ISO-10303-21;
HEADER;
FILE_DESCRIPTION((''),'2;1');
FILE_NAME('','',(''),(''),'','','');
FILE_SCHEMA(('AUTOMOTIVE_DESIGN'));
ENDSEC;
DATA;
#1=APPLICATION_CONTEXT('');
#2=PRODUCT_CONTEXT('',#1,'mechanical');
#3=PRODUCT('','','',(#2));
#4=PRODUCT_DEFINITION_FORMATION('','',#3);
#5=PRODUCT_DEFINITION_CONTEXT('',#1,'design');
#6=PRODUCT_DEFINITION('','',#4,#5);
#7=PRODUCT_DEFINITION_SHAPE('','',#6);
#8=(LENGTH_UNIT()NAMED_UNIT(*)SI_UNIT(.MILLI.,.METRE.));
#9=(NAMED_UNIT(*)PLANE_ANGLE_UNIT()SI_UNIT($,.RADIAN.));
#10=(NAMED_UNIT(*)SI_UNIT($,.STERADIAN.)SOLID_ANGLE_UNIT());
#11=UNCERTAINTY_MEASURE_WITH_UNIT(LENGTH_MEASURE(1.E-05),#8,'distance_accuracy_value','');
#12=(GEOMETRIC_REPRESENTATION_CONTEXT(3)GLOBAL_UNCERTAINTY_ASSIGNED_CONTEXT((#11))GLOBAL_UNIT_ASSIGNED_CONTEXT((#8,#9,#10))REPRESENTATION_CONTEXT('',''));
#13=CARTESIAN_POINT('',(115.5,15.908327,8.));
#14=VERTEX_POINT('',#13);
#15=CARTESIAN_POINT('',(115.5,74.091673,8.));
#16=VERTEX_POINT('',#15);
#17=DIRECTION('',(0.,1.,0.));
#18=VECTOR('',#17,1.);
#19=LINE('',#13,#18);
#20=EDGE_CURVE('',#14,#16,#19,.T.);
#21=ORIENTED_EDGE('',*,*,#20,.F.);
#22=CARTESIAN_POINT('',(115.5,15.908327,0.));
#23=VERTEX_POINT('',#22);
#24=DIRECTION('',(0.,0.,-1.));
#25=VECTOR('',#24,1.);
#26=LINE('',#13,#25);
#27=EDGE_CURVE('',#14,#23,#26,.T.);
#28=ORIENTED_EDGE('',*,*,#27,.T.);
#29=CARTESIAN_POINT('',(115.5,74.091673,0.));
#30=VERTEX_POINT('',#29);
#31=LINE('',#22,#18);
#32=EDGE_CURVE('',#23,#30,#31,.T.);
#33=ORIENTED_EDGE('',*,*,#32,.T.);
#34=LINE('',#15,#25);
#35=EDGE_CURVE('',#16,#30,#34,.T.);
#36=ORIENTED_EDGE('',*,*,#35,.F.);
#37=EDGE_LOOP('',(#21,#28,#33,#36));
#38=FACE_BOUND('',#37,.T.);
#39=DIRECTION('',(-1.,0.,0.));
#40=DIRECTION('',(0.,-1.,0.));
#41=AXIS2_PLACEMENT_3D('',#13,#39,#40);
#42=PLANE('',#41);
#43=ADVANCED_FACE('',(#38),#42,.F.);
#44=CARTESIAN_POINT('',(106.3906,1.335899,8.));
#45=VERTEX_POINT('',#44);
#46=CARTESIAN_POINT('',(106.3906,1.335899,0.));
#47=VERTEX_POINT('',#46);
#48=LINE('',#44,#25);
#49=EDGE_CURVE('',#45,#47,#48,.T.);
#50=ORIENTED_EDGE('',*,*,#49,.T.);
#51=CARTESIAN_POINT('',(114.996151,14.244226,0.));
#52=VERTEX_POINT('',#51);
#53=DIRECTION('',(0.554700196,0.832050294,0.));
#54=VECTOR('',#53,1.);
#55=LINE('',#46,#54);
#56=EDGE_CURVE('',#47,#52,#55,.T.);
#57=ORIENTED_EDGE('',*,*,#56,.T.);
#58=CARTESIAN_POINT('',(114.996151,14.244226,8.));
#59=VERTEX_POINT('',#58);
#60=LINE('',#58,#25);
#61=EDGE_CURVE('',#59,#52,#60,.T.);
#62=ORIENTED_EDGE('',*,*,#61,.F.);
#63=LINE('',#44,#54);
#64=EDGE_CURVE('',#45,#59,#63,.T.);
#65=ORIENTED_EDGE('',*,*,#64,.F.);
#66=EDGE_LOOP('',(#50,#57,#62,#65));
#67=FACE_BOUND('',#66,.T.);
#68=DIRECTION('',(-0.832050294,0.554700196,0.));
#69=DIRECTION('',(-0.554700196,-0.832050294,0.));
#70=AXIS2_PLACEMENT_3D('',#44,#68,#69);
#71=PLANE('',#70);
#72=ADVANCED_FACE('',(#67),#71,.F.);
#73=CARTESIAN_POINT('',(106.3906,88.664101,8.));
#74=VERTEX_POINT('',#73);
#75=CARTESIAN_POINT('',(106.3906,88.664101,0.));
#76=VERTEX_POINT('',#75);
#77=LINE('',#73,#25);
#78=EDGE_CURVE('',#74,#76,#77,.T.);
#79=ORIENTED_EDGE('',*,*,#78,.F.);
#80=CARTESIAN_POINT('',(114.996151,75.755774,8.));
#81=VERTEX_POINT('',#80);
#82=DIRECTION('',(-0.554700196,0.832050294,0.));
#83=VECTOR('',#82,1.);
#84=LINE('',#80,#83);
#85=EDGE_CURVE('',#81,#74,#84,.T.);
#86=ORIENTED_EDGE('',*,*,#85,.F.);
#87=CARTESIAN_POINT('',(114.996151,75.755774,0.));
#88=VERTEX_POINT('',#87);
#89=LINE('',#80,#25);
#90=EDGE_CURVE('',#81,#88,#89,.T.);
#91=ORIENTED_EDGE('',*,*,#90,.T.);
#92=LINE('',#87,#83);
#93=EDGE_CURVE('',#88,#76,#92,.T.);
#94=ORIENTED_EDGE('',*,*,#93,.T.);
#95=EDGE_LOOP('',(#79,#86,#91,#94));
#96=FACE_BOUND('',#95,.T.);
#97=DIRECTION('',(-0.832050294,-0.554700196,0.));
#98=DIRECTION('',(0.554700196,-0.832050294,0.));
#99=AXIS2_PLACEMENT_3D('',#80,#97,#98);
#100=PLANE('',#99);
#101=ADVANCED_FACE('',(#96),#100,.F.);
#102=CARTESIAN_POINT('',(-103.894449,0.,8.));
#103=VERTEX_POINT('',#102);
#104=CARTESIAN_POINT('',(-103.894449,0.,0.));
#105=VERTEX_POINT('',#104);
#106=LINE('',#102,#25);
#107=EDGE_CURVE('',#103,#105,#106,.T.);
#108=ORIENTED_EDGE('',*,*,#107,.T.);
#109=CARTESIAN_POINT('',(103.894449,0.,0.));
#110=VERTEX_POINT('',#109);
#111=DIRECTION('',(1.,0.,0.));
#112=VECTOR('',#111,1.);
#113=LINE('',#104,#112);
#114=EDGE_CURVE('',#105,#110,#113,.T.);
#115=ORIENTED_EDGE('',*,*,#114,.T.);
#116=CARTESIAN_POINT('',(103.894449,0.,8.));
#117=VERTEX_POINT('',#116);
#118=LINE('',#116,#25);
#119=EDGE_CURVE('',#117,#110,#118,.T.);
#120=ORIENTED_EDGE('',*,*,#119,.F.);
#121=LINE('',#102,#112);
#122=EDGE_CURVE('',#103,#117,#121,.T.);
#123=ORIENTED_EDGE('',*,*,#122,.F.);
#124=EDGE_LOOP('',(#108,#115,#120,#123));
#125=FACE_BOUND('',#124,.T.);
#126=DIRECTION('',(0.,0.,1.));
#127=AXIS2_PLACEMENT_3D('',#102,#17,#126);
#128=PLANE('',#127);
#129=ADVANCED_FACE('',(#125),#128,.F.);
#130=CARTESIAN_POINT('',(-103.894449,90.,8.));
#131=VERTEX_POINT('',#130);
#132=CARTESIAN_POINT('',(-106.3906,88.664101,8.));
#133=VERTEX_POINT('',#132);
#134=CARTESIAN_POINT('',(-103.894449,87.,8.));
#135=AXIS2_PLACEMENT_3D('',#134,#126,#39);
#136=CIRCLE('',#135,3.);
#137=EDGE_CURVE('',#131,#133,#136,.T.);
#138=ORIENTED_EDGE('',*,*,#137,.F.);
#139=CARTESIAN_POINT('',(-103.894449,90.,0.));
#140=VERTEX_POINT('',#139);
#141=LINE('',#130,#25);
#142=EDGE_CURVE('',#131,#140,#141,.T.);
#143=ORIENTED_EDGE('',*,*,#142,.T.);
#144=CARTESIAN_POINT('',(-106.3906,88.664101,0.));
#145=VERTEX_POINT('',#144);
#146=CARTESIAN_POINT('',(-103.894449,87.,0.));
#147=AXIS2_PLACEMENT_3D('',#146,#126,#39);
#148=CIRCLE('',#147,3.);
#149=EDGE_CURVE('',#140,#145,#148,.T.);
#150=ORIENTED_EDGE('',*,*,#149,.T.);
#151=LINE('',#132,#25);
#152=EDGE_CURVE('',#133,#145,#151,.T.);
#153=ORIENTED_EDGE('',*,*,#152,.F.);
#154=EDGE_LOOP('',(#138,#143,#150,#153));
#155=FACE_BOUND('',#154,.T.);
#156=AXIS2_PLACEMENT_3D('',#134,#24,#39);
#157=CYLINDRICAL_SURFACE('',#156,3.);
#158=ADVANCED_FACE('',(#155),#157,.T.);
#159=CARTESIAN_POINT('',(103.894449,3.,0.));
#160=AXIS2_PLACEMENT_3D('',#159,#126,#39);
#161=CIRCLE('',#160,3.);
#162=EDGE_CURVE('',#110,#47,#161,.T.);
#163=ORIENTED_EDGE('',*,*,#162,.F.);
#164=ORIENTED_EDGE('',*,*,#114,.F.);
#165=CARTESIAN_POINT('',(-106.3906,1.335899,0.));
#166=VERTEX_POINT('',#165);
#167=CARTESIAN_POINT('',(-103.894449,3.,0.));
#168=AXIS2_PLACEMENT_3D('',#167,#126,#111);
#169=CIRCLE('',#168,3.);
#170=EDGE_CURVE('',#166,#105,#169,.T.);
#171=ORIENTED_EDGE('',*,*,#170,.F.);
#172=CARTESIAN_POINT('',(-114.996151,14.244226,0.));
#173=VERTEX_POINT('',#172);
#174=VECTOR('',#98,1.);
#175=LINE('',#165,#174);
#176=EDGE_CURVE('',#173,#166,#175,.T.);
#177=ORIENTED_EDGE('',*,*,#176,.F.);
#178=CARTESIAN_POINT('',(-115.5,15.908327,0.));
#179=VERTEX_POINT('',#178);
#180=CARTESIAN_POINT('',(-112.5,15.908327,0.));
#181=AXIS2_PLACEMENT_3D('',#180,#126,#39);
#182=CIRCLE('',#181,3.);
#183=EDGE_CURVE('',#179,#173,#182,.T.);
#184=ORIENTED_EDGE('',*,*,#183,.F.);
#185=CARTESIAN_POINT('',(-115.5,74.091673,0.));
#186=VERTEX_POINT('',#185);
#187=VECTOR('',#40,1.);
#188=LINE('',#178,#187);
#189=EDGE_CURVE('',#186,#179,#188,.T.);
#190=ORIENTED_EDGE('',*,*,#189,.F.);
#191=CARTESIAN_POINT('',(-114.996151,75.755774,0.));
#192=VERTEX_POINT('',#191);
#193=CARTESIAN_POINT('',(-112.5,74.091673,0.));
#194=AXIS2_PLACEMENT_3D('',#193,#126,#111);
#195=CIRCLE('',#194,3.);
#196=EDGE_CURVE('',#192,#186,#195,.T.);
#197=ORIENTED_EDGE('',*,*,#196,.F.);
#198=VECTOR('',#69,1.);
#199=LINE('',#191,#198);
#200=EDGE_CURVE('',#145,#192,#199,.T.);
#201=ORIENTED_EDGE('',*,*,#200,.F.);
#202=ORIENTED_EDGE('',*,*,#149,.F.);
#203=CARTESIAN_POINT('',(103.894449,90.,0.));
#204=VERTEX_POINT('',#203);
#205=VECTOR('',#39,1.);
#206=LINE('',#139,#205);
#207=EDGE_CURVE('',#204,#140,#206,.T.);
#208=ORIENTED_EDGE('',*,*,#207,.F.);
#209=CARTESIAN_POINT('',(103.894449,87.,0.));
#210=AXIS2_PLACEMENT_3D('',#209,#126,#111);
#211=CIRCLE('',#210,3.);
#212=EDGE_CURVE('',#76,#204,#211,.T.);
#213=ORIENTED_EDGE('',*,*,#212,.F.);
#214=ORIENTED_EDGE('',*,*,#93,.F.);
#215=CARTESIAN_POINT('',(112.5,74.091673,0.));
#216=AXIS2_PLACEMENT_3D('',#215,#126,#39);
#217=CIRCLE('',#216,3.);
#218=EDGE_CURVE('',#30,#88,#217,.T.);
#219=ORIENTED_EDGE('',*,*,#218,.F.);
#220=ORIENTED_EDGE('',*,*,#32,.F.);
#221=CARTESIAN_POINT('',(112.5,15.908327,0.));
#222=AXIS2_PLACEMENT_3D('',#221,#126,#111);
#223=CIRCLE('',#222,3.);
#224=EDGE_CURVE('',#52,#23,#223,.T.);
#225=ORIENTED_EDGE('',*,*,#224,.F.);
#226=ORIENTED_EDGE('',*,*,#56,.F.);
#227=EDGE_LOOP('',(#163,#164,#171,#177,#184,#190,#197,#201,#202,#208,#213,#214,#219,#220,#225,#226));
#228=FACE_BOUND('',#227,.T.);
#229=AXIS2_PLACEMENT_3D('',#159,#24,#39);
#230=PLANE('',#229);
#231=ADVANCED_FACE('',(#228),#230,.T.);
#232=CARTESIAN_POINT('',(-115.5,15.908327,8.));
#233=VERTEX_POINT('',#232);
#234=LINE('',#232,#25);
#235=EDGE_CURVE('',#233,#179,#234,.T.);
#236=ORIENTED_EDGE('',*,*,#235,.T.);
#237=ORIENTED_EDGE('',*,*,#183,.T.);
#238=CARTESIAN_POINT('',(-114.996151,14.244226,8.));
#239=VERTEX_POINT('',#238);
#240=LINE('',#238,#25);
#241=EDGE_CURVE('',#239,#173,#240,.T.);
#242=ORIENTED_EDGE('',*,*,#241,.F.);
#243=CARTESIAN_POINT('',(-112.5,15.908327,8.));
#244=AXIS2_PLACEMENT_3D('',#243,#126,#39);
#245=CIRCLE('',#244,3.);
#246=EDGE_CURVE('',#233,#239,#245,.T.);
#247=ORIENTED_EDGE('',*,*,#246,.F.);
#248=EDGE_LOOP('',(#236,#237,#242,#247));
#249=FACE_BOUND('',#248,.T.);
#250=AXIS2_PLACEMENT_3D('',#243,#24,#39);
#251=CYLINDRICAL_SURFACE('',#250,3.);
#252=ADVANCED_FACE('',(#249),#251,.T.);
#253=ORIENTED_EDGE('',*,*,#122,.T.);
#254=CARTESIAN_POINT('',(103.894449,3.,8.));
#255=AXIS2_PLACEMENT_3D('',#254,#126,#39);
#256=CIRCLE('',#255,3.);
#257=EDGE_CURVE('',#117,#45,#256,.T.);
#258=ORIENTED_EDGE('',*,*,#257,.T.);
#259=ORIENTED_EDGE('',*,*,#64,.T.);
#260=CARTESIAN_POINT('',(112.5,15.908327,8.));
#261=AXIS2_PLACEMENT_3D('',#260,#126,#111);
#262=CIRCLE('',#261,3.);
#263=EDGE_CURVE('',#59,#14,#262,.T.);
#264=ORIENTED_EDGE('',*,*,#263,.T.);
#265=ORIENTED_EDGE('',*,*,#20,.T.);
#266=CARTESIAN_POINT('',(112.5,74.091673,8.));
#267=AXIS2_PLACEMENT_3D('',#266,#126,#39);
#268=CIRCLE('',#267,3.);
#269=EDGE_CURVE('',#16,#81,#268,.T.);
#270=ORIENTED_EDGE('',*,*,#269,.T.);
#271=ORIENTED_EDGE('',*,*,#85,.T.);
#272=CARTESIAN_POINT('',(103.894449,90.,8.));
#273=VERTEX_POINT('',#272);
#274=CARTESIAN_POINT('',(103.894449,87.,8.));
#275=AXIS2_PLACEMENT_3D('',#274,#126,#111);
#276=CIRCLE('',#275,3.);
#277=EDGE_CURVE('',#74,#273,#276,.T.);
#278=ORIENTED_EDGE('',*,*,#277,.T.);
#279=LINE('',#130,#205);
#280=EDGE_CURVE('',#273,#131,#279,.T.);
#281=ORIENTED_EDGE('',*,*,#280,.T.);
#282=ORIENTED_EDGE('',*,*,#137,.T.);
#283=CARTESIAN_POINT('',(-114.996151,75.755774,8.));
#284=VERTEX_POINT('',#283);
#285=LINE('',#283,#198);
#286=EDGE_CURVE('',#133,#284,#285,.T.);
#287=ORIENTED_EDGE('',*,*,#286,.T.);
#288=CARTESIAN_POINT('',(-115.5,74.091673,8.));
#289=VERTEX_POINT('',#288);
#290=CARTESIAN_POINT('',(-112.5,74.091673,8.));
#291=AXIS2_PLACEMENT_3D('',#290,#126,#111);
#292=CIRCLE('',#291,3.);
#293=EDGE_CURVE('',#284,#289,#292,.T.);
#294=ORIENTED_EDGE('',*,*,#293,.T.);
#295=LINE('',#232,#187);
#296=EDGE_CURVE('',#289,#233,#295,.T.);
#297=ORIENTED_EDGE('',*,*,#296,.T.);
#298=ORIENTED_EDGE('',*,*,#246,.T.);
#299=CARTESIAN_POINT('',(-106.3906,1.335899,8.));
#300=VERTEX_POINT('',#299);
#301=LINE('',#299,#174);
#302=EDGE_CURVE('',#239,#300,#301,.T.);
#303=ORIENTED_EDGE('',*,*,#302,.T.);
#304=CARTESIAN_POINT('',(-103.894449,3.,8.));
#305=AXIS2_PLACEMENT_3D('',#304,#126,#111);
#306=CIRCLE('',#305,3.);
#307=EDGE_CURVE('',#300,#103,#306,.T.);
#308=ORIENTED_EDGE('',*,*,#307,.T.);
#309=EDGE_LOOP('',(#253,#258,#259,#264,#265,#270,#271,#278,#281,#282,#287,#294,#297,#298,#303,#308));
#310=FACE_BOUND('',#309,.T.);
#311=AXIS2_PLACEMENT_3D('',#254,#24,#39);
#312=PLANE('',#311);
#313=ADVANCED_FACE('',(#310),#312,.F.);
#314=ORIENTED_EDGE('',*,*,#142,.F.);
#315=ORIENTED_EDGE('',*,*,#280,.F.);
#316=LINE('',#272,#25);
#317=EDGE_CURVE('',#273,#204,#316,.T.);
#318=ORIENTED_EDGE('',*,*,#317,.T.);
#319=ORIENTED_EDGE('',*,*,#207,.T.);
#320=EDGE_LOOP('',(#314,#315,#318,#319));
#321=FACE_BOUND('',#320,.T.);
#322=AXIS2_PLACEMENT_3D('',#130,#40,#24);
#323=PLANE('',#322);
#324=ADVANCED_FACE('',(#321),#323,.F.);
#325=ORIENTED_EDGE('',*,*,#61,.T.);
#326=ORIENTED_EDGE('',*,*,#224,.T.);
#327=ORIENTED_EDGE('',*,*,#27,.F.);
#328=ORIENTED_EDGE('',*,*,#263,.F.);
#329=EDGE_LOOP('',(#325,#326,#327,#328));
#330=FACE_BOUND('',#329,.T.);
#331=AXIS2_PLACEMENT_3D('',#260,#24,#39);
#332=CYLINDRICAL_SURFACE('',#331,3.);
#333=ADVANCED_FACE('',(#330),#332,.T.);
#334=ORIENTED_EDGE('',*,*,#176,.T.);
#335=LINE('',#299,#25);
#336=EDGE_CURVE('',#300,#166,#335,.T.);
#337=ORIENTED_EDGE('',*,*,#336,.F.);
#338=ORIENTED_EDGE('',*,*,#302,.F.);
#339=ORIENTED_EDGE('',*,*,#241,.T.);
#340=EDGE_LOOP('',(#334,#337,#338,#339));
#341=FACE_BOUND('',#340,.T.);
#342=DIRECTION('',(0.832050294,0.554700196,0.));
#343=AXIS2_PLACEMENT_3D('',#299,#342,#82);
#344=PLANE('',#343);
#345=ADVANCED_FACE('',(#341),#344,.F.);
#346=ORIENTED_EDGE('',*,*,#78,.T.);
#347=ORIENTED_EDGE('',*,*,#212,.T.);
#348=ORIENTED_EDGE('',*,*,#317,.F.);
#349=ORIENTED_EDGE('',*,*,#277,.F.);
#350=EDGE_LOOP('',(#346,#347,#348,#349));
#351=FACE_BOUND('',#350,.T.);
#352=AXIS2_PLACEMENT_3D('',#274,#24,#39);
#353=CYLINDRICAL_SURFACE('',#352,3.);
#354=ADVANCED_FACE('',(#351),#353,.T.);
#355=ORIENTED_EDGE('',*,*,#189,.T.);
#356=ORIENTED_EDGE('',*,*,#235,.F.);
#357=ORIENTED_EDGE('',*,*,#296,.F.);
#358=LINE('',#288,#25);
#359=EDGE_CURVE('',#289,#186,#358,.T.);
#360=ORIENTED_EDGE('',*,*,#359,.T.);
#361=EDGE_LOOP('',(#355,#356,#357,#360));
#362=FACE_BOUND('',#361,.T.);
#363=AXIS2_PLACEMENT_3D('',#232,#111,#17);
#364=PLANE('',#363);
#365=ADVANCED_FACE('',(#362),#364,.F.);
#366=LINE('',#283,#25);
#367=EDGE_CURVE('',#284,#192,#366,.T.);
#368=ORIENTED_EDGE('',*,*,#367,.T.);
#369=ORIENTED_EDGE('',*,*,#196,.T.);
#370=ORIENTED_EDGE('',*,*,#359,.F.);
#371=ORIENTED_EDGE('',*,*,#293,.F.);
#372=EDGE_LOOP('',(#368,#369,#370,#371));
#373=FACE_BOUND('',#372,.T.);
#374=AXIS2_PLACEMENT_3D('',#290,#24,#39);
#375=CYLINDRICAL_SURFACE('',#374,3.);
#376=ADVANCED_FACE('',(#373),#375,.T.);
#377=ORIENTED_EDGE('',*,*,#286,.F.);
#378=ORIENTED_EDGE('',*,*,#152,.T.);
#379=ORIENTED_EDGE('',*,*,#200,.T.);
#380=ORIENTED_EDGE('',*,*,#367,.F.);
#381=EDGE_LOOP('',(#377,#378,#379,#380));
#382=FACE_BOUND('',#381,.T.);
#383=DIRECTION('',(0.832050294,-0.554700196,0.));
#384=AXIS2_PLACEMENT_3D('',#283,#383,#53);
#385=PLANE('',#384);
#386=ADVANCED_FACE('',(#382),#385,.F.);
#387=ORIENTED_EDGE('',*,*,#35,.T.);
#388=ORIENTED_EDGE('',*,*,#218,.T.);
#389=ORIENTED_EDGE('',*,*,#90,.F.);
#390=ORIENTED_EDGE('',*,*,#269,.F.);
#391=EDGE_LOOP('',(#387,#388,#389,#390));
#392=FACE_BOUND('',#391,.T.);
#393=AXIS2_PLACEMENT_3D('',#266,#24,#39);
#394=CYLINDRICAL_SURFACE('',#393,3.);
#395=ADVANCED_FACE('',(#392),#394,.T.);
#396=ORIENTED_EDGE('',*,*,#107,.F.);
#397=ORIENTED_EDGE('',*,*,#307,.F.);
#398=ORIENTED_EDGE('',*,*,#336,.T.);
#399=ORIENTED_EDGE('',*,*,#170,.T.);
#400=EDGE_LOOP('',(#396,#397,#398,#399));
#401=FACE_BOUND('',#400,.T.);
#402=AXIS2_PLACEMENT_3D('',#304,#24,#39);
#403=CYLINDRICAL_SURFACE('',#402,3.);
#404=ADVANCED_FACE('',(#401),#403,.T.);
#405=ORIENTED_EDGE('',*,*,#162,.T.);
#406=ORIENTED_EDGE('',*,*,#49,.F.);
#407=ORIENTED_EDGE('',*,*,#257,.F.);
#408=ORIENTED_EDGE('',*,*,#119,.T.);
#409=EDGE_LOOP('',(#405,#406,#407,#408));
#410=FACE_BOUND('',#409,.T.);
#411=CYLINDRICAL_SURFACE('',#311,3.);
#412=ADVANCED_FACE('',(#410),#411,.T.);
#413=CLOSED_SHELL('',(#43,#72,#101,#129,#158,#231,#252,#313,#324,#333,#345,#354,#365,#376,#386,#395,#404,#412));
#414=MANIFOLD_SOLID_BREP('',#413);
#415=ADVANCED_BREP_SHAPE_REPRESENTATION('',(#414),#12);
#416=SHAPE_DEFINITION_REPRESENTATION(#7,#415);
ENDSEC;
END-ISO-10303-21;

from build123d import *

# Parameters (mm, degrees)
EXTRUDE1_DEPTH = 8


with BuildPart() as part:
    # Sketch1 → Extrude1 (new body)
    with BuildSketch(Plane.XY):
        with BuildLine():
            Line((106.390599608, 1.335899411), (114.996150883, 14.244226325))
            ThreePointArc((114.996150883, 14.244226325), (115.371276079, 15.038974467), (115.5, 15.908326913))
            Line((115.5, 15.908326913), (115.5, 74.091673087))
            ThreePointArc((115.5, 74.091673087), (115.371276079, 74.961025533), (114.996150883, 75.755773675))
            Line((114.996150883, 75.755773675), (106.390599608, 88.664100589))
            ThreePointArc((106.390599608, 88.664100589), (105.310022501, 89.645023796), (103.894448725, 90))
            Line((103.894448725, 90), (-103.894448725, 90))
            ThreePointArc((-103.894448725, 90), (-105.310022501, 89.645023796), (-106.390599608, 88.664100589))
            Line((-106.390599608, 88.664100589), (-114.996150883, 75.755773675))
            ThreePointArc((-114.996150883, 75.755773675), (-115.371276079, 74.961025533), (-115.5, 74.091673087))
            Line((-115.5, 74.091673087), (-115.5, 15.908326913))
            ThreePointArc((-115.5, 15.908326913), (-115.371276079, 15.038974467), (-114.996150883, 14.244226325))
            Line((-114.996150883, 14.244226325), (-106.390599608, 1.335899411))
            ThreePointArc((-106.390599608, 1.335899411), (-105.310022501, 0.354976204), (-103.894448725, 0))
            Line((-103.894448725, 0), (103.894448725, 0))
            ThreePointArc((103.894448725, 0), (105.310022501, 0.354976204), (106.390599608, 1.335899411))
        make_face()
    extrude(amount=EXTRUDE1_DEPTH)


solid = part.part
